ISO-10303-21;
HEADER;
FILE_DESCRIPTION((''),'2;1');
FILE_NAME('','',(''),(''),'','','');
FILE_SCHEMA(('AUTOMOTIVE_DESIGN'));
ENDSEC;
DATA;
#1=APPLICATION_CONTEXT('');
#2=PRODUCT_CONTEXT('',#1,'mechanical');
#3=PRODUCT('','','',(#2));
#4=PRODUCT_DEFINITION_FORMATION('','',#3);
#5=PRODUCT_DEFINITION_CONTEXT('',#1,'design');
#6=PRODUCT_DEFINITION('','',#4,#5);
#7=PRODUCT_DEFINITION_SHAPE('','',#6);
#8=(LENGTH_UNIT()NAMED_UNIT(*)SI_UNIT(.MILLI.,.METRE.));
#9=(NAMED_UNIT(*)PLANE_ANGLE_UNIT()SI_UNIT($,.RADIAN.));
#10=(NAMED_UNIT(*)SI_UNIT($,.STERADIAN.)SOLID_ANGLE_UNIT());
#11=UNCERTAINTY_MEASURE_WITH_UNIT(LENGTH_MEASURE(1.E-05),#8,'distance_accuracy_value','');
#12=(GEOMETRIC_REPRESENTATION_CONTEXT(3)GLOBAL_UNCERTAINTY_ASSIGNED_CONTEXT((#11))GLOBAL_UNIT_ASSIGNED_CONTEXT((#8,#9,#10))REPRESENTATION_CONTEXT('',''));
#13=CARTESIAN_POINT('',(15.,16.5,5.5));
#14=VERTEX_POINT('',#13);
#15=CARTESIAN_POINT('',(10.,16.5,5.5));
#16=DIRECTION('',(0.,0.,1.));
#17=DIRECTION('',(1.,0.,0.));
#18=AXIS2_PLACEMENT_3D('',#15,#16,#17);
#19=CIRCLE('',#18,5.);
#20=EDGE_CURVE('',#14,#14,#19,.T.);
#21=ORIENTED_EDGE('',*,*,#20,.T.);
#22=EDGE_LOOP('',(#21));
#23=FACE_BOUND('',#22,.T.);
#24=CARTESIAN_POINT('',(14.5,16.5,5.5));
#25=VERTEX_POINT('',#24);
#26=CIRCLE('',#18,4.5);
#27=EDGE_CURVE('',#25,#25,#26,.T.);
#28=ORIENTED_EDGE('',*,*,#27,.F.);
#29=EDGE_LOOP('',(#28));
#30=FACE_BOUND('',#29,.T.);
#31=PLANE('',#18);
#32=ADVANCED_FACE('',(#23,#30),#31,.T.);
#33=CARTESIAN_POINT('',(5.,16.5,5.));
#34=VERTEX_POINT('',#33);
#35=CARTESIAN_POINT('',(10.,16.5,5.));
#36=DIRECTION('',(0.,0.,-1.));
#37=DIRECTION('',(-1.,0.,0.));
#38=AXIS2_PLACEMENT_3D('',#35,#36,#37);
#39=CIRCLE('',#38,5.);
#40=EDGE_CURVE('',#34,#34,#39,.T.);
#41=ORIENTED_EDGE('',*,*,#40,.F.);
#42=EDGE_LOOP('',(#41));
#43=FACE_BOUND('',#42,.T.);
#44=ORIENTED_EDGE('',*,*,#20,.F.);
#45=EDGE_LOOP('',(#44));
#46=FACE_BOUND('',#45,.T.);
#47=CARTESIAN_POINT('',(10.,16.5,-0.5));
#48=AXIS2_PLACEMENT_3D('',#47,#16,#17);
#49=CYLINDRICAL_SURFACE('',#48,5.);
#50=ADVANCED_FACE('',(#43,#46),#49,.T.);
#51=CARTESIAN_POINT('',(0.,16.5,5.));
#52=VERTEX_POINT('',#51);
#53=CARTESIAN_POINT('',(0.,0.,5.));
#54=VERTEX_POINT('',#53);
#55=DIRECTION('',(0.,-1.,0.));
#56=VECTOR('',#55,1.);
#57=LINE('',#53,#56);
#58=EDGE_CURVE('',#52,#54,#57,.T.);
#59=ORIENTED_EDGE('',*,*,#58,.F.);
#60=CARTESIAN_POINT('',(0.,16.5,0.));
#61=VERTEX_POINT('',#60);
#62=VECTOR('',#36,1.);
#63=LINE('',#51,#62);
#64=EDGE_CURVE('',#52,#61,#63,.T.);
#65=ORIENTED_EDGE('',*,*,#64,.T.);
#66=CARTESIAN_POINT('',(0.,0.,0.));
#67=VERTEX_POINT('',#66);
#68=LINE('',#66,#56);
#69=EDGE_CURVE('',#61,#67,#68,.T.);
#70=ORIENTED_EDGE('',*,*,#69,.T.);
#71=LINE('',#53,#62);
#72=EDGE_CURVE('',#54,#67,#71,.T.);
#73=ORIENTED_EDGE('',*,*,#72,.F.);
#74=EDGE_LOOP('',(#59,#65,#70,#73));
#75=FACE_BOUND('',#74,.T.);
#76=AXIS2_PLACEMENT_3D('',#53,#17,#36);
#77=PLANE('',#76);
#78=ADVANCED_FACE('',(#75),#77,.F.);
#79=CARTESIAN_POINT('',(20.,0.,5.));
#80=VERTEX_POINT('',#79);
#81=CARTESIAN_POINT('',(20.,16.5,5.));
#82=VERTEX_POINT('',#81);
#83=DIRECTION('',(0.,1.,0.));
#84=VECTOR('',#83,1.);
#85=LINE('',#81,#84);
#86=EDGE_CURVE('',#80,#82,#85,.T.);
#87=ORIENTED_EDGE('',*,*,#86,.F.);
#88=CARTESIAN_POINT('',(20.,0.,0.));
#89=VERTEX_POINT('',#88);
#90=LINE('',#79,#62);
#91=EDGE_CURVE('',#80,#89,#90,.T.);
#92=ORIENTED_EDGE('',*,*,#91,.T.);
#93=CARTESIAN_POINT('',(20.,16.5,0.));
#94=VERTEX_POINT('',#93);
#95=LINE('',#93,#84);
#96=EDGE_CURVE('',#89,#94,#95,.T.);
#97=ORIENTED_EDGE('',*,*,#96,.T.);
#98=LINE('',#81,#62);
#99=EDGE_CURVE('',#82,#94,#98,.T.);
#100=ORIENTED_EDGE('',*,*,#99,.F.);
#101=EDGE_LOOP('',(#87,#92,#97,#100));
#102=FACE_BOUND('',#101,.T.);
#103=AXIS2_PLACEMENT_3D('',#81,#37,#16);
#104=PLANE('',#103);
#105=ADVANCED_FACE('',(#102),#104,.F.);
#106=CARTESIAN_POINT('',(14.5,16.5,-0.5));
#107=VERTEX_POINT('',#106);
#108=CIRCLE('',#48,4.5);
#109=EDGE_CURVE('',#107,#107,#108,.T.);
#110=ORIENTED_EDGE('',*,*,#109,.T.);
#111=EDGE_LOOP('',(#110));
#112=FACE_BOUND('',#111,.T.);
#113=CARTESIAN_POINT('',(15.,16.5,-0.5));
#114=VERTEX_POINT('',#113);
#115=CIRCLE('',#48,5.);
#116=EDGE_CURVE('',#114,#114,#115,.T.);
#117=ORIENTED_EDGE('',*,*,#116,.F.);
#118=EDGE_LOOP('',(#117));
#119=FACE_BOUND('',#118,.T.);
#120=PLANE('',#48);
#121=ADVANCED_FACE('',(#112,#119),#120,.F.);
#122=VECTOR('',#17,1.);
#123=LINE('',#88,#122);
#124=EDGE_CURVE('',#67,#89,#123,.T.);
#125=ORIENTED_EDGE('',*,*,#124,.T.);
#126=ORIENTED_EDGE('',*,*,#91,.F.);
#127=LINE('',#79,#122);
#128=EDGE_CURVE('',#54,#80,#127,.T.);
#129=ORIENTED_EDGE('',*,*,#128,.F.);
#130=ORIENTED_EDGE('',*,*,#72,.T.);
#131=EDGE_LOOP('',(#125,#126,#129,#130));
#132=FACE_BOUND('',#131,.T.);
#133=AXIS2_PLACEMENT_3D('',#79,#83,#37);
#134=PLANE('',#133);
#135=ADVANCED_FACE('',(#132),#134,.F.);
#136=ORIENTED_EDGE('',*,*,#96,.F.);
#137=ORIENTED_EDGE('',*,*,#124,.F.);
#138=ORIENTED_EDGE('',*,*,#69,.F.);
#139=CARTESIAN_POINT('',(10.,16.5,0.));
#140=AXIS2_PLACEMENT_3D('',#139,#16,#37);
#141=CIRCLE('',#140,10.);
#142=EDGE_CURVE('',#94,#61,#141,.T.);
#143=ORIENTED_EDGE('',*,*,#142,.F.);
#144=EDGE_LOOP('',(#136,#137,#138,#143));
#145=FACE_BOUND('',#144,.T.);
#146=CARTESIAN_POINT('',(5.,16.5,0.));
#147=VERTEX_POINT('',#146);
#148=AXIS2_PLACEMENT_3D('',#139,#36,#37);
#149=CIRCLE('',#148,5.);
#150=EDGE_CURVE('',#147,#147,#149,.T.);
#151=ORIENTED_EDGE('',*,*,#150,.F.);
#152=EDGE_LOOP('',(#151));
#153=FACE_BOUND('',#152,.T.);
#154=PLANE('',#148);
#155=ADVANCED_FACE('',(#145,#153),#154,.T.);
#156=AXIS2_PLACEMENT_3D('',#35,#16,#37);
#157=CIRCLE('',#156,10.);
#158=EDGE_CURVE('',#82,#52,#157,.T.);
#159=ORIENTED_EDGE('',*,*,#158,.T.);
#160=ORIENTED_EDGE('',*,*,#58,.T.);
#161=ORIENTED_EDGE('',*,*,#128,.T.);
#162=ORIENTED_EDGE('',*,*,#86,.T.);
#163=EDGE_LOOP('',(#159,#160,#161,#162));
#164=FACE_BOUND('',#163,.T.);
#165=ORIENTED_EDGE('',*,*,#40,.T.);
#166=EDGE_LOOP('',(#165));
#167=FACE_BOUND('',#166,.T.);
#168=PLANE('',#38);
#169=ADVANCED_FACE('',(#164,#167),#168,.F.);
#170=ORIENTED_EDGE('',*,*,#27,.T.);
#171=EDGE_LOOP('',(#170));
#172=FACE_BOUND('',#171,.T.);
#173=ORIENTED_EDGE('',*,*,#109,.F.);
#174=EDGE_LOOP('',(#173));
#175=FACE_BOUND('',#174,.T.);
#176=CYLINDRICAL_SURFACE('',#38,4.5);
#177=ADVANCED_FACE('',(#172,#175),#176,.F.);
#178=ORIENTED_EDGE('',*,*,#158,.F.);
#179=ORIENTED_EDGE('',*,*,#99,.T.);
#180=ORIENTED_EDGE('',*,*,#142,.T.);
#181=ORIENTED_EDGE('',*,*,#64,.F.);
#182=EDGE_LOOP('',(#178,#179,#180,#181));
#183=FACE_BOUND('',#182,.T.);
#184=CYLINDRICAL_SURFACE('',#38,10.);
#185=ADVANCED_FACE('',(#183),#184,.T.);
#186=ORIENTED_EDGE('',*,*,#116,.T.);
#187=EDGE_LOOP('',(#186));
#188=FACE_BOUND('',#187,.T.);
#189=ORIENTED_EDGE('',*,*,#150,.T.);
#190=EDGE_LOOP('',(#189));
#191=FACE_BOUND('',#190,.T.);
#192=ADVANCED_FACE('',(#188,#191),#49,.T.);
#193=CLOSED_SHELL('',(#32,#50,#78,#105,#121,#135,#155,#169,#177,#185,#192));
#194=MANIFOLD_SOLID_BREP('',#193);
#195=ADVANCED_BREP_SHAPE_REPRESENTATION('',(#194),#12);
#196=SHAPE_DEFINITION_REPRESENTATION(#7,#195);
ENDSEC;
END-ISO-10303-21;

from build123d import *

# Parameters (mm, degrees)
CROQUIS1_R                   = 4.5
SALIENTE_EXTRUIR1_DEPTH      = 5
SALIENTE_EXTRUIR3_DEPTH      = 3
SALIENTE_EXTRUIR3_DEPTH_BACK = 3
CROQUIS2_R                   = 5
CROQUIS2_R_2                 = 4.5


with BuildPart() as part:
    # Croquis1 → Saliente-Extruir1 (new body)
    with BuildSketch(Plane.XY):
        with BuildLine():
            Line((0, 0), (0, 16.5))
            ThreePointArc((0, 16.5), (10, 26.5), (20, 16.5))
            Line((20, 16.5), (20, 0))
            Line((20, 0), (0, 0))
        make_face()
        with Locations((10, 16.5)):
            Circle(CROQUIS1_R, mode=Mode.SUBTRACT)
    extrude(amount=SALIENTE_EXTRUIR1_DEPTH)

    # Croquis2 → Saliente-Extruir3 (add, two sides: drawn at the far end of the back side and taken through both)
    with BuildSketch(Plane.XY.offset(2.5).offset(-SALIENTE_EXTRUIR3_DEPTH_BACK)):
        with Locations((10, 16.5)):
            Circle(CROQUIS2_R)
        with Locations((10, 16.5)):
            Circle(CROQUIS2_R_2, mode=Mode.SUBTRACT)
    extrude(amount=SALIENTE_EXTRUIR3_DEPTH + SALIENTE_EXTRUIR3_DEPTH_BACK)


solid = part.part
